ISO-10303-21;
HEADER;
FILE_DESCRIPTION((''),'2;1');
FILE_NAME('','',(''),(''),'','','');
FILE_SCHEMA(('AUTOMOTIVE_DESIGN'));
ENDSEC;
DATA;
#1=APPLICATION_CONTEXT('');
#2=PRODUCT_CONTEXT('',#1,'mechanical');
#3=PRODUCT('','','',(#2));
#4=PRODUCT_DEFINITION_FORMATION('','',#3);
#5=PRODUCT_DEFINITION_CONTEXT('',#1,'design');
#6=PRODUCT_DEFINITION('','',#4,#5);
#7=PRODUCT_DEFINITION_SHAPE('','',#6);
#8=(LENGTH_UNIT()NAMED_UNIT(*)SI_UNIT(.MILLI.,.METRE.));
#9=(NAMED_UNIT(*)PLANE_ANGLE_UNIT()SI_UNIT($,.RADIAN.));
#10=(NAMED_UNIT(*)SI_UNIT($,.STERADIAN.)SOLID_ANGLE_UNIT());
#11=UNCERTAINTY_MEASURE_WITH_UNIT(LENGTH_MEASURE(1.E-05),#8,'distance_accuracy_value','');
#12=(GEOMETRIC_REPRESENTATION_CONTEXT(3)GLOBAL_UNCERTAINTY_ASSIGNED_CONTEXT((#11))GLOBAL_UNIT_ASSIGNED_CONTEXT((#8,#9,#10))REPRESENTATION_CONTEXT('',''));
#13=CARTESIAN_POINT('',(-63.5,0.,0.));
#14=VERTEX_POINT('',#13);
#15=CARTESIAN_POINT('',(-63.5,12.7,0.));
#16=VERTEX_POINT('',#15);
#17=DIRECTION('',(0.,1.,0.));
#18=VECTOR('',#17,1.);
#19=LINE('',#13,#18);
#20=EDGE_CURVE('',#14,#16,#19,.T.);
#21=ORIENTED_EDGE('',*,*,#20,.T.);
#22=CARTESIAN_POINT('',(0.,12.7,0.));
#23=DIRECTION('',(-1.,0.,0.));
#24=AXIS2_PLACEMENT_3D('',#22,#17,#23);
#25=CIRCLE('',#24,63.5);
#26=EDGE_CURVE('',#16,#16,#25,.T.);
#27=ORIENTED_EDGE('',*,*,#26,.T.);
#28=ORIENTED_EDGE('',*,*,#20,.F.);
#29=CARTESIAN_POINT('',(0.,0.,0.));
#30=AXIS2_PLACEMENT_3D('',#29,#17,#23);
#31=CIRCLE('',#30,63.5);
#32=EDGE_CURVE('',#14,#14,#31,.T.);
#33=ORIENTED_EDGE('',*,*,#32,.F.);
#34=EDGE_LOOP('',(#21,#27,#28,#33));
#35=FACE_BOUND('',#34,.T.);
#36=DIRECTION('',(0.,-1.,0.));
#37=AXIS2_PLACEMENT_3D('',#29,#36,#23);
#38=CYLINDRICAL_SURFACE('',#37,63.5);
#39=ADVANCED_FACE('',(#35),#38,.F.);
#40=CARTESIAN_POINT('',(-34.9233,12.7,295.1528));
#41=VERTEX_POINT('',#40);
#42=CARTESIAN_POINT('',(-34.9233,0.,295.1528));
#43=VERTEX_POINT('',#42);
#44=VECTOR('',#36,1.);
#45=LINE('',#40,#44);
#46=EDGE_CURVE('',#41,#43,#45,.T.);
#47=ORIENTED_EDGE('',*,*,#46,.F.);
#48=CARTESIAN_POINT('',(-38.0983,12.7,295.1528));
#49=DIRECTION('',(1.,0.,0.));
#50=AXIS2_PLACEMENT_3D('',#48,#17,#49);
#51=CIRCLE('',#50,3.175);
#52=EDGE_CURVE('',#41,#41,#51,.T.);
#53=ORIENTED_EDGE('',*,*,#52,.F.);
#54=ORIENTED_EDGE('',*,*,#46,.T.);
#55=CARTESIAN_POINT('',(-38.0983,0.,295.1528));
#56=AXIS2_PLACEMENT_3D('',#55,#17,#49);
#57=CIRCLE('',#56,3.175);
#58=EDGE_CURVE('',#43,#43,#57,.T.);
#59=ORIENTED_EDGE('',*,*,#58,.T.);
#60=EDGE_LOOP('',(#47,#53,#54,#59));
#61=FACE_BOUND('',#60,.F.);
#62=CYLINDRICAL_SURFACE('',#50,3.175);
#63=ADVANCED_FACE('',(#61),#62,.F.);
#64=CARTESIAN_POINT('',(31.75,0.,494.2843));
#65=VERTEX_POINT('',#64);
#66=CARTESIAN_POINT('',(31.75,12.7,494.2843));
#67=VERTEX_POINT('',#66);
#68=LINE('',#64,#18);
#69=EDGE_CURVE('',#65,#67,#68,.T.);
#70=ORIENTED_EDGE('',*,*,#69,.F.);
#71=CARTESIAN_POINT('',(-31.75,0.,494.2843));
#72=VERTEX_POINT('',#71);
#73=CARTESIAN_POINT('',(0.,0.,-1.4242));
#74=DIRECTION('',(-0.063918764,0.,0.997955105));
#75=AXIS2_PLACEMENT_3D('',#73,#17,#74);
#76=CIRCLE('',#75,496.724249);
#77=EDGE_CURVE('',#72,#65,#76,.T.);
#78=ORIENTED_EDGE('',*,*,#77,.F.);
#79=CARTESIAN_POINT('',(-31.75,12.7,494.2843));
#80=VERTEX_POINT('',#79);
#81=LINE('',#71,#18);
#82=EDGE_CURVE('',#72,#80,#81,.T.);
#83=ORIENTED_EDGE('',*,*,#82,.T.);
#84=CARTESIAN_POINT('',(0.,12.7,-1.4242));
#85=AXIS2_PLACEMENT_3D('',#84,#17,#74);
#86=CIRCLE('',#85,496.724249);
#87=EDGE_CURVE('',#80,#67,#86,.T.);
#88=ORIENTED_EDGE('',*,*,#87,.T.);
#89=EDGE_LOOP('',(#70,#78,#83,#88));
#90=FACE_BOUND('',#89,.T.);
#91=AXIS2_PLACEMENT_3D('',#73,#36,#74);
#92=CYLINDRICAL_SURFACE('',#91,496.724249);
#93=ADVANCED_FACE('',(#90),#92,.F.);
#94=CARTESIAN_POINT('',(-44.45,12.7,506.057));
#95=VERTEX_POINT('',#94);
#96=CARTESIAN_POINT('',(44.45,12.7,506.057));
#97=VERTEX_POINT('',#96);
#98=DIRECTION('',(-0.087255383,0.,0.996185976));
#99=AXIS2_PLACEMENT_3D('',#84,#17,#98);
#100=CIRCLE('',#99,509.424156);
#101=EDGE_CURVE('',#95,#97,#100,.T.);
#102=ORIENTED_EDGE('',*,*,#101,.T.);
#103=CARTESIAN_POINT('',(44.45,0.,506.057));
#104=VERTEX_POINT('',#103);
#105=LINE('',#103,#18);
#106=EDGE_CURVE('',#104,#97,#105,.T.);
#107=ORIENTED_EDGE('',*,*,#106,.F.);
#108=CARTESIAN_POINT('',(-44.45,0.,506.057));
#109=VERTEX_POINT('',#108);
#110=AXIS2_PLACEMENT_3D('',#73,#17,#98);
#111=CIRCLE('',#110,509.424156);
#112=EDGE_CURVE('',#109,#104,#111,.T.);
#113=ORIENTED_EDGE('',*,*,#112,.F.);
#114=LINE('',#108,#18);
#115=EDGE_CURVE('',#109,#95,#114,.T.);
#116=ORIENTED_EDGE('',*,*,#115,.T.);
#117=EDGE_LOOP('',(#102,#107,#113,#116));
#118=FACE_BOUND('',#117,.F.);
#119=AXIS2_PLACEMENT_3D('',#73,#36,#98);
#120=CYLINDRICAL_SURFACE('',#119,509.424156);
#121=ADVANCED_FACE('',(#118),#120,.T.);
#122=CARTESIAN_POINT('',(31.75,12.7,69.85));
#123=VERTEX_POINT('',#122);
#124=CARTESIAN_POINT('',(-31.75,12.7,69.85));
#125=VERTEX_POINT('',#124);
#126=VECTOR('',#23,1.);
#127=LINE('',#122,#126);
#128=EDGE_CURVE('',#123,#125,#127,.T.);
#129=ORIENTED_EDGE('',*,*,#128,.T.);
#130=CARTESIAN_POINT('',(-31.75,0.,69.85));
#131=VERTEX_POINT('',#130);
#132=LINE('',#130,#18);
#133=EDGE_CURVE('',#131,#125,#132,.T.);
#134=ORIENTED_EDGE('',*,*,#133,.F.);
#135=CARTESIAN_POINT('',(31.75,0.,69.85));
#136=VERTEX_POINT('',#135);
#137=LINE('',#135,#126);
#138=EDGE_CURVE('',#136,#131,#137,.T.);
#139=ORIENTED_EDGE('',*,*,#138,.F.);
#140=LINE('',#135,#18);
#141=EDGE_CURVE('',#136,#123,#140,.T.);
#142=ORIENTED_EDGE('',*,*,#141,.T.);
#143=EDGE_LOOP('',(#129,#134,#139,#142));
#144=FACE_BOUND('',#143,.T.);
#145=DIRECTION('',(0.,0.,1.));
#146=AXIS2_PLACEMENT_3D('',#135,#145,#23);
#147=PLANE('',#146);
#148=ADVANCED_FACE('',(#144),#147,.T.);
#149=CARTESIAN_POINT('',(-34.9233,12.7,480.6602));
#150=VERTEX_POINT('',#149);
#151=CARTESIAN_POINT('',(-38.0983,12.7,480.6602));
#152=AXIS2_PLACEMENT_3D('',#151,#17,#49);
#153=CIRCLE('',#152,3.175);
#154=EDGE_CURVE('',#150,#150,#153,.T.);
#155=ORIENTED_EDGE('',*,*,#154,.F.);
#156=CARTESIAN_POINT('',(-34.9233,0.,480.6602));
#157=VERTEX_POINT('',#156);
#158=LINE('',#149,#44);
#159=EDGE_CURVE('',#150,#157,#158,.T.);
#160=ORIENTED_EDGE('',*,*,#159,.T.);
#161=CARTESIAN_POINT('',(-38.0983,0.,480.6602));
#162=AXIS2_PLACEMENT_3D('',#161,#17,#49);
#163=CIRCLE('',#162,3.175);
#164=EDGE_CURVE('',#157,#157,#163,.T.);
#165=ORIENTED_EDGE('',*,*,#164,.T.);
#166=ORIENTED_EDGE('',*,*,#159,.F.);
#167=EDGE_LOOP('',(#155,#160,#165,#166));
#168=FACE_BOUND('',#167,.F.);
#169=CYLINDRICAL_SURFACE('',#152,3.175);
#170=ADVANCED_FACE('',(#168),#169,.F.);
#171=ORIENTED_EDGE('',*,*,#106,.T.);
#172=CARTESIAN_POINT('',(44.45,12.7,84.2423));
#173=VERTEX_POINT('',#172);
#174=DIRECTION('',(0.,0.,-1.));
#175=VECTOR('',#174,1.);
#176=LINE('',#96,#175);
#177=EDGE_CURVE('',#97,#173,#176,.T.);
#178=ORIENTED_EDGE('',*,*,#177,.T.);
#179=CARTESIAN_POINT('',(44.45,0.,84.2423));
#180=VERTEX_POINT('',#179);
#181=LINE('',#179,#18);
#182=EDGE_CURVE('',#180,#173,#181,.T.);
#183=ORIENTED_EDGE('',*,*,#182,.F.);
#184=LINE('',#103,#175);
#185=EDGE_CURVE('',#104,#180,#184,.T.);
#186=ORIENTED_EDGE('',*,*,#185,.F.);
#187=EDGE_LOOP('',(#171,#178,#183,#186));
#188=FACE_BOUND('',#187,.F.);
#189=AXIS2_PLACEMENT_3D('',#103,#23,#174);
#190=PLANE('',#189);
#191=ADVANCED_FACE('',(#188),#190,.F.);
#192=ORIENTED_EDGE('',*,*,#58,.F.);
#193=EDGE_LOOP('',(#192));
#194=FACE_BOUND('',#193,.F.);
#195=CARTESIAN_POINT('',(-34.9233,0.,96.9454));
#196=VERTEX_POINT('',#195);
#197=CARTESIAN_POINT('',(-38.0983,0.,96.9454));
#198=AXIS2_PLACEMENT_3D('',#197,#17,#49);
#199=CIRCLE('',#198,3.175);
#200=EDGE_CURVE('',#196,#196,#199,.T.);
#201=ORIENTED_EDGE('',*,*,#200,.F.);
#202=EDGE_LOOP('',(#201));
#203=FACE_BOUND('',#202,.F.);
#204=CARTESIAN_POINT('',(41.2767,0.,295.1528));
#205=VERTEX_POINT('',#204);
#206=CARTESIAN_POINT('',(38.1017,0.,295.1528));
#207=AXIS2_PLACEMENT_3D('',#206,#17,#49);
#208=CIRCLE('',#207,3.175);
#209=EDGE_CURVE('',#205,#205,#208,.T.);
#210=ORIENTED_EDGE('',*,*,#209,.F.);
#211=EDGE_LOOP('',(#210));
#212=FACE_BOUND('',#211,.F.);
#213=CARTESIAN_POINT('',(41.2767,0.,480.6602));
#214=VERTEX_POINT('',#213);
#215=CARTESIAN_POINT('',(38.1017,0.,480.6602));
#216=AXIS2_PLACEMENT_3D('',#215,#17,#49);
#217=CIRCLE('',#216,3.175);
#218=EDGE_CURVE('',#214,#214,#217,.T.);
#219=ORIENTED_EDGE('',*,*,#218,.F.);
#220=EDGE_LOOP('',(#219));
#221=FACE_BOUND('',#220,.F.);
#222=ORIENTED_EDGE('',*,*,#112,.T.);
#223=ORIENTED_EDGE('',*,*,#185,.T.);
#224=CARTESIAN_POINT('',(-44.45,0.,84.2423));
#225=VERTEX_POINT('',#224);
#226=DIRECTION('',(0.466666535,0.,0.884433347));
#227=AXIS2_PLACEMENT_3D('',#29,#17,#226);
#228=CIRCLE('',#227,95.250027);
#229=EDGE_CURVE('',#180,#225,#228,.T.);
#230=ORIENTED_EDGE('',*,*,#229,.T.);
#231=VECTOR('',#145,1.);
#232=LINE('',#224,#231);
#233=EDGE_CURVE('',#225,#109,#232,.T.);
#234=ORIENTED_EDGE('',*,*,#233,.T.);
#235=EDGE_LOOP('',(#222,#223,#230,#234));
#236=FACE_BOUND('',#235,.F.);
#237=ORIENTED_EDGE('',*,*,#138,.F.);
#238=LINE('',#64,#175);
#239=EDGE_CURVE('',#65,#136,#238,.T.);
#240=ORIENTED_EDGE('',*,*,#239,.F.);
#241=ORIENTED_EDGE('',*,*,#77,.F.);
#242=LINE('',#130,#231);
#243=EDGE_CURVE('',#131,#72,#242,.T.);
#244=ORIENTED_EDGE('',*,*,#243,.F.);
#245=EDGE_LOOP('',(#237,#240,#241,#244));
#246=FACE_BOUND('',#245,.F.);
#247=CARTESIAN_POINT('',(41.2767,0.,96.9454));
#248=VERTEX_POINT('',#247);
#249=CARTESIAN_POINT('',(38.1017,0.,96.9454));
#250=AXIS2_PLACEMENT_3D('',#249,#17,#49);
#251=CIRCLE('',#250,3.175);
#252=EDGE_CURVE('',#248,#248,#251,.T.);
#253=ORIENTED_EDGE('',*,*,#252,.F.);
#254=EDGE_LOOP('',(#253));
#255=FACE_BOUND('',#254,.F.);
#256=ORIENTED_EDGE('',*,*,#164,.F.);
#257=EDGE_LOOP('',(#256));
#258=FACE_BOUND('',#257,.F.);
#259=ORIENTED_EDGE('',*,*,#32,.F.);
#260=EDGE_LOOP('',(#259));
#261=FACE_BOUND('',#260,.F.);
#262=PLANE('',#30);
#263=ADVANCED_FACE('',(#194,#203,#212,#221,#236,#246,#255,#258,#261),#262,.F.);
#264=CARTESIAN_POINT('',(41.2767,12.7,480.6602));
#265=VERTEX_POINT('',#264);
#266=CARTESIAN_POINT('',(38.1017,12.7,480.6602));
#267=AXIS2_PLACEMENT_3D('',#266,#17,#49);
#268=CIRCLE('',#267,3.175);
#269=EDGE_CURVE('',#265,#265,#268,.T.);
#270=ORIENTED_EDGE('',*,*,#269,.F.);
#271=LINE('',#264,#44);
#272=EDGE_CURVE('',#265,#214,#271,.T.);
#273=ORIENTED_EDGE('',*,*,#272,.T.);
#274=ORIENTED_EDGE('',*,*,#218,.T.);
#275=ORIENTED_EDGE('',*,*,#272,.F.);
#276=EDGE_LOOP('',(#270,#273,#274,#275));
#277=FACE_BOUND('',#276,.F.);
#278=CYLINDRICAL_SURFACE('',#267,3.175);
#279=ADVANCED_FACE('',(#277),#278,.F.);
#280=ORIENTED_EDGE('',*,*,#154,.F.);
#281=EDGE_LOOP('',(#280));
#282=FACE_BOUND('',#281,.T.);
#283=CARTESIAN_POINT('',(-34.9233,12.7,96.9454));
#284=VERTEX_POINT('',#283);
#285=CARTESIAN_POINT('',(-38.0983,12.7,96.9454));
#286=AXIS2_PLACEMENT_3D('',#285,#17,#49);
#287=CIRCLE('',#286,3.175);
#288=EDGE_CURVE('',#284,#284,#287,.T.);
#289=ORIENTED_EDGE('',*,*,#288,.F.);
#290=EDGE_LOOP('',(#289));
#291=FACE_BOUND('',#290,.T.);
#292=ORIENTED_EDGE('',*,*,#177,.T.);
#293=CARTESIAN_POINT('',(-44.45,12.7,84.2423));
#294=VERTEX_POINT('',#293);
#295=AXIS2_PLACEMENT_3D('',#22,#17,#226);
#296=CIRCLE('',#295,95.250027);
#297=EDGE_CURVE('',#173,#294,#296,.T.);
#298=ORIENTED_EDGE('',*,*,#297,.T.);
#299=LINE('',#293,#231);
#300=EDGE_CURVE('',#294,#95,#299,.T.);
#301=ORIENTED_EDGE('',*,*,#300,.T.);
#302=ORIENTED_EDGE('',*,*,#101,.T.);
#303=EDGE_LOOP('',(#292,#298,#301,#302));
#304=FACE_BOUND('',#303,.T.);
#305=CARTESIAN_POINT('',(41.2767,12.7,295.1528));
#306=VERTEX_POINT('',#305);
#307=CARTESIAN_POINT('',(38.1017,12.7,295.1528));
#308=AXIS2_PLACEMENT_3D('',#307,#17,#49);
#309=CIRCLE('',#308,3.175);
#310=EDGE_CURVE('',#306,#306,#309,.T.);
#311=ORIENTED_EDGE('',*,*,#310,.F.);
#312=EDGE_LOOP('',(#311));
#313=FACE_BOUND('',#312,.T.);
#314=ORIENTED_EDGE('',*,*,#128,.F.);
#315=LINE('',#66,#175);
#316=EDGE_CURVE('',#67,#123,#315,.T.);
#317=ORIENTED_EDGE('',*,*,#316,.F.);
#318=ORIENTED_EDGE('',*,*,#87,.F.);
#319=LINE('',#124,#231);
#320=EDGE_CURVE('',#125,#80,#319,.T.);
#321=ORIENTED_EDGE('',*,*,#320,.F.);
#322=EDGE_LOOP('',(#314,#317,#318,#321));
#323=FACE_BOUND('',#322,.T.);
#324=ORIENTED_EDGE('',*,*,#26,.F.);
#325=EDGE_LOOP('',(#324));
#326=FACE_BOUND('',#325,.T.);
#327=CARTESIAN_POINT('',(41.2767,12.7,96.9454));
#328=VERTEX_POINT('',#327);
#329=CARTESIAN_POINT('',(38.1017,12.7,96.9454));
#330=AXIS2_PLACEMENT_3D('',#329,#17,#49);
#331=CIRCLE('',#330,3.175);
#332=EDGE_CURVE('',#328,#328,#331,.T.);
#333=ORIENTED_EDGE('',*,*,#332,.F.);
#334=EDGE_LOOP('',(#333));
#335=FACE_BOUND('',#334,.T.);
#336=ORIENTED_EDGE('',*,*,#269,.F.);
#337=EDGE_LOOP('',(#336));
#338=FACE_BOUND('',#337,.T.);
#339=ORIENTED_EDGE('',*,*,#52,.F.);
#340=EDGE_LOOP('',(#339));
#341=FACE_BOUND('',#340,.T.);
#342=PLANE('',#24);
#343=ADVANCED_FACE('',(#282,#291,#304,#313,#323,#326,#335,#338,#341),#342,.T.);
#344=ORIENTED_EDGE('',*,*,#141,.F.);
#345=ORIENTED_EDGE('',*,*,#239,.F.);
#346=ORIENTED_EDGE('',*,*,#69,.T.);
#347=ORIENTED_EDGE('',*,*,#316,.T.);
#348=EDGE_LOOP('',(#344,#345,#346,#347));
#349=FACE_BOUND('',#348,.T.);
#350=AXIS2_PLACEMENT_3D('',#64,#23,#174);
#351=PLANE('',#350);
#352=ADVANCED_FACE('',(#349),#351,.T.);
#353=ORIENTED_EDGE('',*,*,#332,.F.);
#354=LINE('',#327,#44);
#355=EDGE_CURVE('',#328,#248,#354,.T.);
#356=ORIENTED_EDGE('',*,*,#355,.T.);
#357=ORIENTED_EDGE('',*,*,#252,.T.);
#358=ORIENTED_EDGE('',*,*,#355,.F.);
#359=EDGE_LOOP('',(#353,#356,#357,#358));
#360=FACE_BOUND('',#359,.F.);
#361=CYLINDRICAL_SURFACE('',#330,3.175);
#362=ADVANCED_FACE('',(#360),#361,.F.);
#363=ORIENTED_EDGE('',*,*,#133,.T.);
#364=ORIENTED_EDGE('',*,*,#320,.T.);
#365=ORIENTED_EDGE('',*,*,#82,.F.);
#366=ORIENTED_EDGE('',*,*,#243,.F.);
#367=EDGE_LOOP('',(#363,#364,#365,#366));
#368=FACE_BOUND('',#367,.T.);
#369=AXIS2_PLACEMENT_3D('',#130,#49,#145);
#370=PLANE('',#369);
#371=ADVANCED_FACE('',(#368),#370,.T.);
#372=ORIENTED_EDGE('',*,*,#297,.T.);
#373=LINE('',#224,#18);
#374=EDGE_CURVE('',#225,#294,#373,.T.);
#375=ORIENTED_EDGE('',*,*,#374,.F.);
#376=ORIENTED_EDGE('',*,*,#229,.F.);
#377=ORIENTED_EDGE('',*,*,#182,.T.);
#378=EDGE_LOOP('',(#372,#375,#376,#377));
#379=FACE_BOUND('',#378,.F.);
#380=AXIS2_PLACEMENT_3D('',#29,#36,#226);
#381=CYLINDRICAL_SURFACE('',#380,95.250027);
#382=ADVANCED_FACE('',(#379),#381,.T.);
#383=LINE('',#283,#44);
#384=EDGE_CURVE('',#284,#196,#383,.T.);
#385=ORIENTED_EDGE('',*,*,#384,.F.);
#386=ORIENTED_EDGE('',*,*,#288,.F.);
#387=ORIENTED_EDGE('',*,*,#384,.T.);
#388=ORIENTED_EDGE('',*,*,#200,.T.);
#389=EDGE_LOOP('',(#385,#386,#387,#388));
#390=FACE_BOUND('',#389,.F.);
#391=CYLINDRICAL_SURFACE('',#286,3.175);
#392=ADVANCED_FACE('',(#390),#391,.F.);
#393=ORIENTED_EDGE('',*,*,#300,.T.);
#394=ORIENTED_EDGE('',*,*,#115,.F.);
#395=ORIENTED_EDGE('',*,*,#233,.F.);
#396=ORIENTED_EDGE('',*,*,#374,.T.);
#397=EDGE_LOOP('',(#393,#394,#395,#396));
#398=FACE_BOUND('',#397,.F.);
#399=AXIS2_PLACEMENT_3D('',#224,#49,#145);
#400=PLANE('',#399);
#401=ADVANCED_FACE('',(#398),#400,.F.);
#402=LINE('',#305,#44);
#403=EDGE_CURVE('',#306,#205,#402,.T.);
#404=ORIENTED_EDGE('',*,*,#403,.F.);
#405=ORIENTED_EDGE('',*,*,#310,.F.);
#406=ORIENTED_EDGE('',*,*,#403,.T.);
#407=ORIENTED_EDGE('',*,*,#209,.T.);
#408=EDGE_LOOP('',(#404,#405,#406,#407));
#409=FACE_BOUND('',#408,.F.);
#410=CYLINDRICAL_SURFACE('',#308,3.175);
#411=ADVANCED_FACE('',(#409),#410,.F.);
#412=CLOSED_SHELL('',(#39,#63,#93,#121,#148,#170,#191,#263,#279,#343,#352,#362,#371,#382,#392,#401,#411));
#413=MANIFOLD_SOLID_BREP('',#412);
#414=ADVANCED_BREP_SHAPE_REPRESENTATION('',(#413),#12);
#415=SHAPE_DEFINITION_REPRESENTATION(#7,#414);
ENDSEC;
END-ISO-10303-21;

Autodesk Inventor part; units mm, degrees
ref_plane "YZ Plane" through (0, 0, 0) normal (1, 0, 0) x (0, 1, 0)
ref_plane "XZ Plane" through (0, 0, 0) normal (0, 1, 0) x (-1, 0, 0)
ref_plane "XY Plane" through (0, 0, 0) normal (0, 0, 1) x (1, 0, 0)
sketch "Sketch2" plane through (0, 0, 0) normal (0, 1, 0) x (-1, 0, 0)
  arc A0 (44.45, 506.057) -> (-44.45, 506.057) centre (0, -1.4242) ccw construction
  arc A1 (44.45, 506.057) -> (-44.45, 506.057) centre (0, -1.4242) ccw
  line L0 (44.45, 84.2423) -> (44.45, 506.057)
  line L1 (-44.45, 506.057) -> (-44.45, 84.2423)
  circle A2 centre (0, 0) radius 57.15 construction
  circle A3 centre (0, 0) radius 63.5
  arc A4 (-44.45, 84.2423) -> (44.45, 84.2423) centre (0, 0) ccw
  line L2 (0, 0) -> (0, 508) construction
  arc A5 (31.75, 494.2843) -> (-31.75, 494.2843) centre (0, -1.4242) ccw
  line L3 (-31.75, 494.2843) -> (-31.75, 69.85)
  arc A6 (-31.75, 77.0401) -> (31.75, 77.0401) centre (0, 0) ccw construction
  line L4 (31.75, 69.85) -> (31.75, 494.2843)
  arc A7 (31.75, 62.217) -> (-31.75, 62.217) centre (0, 0) ccw construction
  line L5 (0, 69.85) -> (0, 63.5) construction
  line L6 (-31.75, 69.85) -> (31.75, 69.85)
  point P0 (-7.0927, 251.5509)
  dimension "d23" = 127
  dimension "d21" = 88.9
  dimension "d22" = 114.3
  dimension "d24" = 190.5
  dimension "d25" = 508
  dimension "d26" = 88.9
  dimension "d29" = 12.7
  dimension "d31" = 139.7
  dimension "d69" = 12.7
  dimension "d70" = 12.7
extrude "Extrusion2" add sketch "Sketch2" along normal blind 12.7
sketch "Sketch3" plane through (0, 12.7, 0) normal (0, 1, 0) x (1, 0, 0)
  arc A0 (-44.4483, -506.0602) -> (44.4517, -506.0602) centre (0.0017, 1.4211) ccw construction
  line L0 (44.4517, -506.0602) -> (44.4517, -84.2454) construction
  line L1 (-44.4483, -506.0602) -> (44.4517, -506.0602) construction
  line L2 (44.4517, -506.0602) -> (44.4517, -84.2454) construction
  line L3 (44.4517, -84.2454) -> (-44.4483, -84.2454) construction
  line L4 (-44.4483, -84.2454) -> (-44.4483, -506.0602) construction
  line L5 (-44.4483, -84.2454) -> (-44.4483, -506.0602) construction
  line L6 (-44.4483, -295.1528) -> (-38.0983, -295.1528) construction
  line L7 (-38.0983, -295.1528) -> (-38.0983, -506.0602) construction
  line L8 (-38.0983, -295.1528) -> (-38.0983, -84.2454) construction
  circle A1 centre (-38.0983, -96.9454) radius 3.175
  circle A2 centre (-38.0983, -480.6602) radius 3.175
  circle A3 centre (-38.0983, -295.1528) radius 3.175
  line L9 (0.0017, -506.0602) -> (0.0017, 1.4211) construction
  circle A4 centre (38.1017, -295.1528) radius 3.175
  line L10 (44.4517, -295.1528) -> (38.1017, -295.1528) construction
  circle A5 centre (38.1017, -96.9454) radius 3.175
  circle A6 centre (38.1017, -480.6602) radius 3.175
  line L11 (38.1017, -295.1528) -> (38.1017, -506.0602) construction
  line L12 (38.1017, -295.1528) -> (38.1017, -84.2454) construction
  line L13 (44.4517, -84.2454) -> (44.4517, -506.0602) construction
  line L14 (44.4517, -84.2454) -> (44.4517, -506.0602) construction
  point P0 (0, 0)
  dimension "d54" = 6.35
  dimension "d55" = 90
  dimension "d56" = 6.35
  dimension "d57" = 12.7
  dimension "d58" = 6.35
  dimension "d59" = 6.35
  dimension "d60" = 25.4
extrude "Extrusion3" cut sketch "Sketch3" against normal blind 12.7
equation "\"d26\" = d21"
properties part number "Arm Layer 3"
